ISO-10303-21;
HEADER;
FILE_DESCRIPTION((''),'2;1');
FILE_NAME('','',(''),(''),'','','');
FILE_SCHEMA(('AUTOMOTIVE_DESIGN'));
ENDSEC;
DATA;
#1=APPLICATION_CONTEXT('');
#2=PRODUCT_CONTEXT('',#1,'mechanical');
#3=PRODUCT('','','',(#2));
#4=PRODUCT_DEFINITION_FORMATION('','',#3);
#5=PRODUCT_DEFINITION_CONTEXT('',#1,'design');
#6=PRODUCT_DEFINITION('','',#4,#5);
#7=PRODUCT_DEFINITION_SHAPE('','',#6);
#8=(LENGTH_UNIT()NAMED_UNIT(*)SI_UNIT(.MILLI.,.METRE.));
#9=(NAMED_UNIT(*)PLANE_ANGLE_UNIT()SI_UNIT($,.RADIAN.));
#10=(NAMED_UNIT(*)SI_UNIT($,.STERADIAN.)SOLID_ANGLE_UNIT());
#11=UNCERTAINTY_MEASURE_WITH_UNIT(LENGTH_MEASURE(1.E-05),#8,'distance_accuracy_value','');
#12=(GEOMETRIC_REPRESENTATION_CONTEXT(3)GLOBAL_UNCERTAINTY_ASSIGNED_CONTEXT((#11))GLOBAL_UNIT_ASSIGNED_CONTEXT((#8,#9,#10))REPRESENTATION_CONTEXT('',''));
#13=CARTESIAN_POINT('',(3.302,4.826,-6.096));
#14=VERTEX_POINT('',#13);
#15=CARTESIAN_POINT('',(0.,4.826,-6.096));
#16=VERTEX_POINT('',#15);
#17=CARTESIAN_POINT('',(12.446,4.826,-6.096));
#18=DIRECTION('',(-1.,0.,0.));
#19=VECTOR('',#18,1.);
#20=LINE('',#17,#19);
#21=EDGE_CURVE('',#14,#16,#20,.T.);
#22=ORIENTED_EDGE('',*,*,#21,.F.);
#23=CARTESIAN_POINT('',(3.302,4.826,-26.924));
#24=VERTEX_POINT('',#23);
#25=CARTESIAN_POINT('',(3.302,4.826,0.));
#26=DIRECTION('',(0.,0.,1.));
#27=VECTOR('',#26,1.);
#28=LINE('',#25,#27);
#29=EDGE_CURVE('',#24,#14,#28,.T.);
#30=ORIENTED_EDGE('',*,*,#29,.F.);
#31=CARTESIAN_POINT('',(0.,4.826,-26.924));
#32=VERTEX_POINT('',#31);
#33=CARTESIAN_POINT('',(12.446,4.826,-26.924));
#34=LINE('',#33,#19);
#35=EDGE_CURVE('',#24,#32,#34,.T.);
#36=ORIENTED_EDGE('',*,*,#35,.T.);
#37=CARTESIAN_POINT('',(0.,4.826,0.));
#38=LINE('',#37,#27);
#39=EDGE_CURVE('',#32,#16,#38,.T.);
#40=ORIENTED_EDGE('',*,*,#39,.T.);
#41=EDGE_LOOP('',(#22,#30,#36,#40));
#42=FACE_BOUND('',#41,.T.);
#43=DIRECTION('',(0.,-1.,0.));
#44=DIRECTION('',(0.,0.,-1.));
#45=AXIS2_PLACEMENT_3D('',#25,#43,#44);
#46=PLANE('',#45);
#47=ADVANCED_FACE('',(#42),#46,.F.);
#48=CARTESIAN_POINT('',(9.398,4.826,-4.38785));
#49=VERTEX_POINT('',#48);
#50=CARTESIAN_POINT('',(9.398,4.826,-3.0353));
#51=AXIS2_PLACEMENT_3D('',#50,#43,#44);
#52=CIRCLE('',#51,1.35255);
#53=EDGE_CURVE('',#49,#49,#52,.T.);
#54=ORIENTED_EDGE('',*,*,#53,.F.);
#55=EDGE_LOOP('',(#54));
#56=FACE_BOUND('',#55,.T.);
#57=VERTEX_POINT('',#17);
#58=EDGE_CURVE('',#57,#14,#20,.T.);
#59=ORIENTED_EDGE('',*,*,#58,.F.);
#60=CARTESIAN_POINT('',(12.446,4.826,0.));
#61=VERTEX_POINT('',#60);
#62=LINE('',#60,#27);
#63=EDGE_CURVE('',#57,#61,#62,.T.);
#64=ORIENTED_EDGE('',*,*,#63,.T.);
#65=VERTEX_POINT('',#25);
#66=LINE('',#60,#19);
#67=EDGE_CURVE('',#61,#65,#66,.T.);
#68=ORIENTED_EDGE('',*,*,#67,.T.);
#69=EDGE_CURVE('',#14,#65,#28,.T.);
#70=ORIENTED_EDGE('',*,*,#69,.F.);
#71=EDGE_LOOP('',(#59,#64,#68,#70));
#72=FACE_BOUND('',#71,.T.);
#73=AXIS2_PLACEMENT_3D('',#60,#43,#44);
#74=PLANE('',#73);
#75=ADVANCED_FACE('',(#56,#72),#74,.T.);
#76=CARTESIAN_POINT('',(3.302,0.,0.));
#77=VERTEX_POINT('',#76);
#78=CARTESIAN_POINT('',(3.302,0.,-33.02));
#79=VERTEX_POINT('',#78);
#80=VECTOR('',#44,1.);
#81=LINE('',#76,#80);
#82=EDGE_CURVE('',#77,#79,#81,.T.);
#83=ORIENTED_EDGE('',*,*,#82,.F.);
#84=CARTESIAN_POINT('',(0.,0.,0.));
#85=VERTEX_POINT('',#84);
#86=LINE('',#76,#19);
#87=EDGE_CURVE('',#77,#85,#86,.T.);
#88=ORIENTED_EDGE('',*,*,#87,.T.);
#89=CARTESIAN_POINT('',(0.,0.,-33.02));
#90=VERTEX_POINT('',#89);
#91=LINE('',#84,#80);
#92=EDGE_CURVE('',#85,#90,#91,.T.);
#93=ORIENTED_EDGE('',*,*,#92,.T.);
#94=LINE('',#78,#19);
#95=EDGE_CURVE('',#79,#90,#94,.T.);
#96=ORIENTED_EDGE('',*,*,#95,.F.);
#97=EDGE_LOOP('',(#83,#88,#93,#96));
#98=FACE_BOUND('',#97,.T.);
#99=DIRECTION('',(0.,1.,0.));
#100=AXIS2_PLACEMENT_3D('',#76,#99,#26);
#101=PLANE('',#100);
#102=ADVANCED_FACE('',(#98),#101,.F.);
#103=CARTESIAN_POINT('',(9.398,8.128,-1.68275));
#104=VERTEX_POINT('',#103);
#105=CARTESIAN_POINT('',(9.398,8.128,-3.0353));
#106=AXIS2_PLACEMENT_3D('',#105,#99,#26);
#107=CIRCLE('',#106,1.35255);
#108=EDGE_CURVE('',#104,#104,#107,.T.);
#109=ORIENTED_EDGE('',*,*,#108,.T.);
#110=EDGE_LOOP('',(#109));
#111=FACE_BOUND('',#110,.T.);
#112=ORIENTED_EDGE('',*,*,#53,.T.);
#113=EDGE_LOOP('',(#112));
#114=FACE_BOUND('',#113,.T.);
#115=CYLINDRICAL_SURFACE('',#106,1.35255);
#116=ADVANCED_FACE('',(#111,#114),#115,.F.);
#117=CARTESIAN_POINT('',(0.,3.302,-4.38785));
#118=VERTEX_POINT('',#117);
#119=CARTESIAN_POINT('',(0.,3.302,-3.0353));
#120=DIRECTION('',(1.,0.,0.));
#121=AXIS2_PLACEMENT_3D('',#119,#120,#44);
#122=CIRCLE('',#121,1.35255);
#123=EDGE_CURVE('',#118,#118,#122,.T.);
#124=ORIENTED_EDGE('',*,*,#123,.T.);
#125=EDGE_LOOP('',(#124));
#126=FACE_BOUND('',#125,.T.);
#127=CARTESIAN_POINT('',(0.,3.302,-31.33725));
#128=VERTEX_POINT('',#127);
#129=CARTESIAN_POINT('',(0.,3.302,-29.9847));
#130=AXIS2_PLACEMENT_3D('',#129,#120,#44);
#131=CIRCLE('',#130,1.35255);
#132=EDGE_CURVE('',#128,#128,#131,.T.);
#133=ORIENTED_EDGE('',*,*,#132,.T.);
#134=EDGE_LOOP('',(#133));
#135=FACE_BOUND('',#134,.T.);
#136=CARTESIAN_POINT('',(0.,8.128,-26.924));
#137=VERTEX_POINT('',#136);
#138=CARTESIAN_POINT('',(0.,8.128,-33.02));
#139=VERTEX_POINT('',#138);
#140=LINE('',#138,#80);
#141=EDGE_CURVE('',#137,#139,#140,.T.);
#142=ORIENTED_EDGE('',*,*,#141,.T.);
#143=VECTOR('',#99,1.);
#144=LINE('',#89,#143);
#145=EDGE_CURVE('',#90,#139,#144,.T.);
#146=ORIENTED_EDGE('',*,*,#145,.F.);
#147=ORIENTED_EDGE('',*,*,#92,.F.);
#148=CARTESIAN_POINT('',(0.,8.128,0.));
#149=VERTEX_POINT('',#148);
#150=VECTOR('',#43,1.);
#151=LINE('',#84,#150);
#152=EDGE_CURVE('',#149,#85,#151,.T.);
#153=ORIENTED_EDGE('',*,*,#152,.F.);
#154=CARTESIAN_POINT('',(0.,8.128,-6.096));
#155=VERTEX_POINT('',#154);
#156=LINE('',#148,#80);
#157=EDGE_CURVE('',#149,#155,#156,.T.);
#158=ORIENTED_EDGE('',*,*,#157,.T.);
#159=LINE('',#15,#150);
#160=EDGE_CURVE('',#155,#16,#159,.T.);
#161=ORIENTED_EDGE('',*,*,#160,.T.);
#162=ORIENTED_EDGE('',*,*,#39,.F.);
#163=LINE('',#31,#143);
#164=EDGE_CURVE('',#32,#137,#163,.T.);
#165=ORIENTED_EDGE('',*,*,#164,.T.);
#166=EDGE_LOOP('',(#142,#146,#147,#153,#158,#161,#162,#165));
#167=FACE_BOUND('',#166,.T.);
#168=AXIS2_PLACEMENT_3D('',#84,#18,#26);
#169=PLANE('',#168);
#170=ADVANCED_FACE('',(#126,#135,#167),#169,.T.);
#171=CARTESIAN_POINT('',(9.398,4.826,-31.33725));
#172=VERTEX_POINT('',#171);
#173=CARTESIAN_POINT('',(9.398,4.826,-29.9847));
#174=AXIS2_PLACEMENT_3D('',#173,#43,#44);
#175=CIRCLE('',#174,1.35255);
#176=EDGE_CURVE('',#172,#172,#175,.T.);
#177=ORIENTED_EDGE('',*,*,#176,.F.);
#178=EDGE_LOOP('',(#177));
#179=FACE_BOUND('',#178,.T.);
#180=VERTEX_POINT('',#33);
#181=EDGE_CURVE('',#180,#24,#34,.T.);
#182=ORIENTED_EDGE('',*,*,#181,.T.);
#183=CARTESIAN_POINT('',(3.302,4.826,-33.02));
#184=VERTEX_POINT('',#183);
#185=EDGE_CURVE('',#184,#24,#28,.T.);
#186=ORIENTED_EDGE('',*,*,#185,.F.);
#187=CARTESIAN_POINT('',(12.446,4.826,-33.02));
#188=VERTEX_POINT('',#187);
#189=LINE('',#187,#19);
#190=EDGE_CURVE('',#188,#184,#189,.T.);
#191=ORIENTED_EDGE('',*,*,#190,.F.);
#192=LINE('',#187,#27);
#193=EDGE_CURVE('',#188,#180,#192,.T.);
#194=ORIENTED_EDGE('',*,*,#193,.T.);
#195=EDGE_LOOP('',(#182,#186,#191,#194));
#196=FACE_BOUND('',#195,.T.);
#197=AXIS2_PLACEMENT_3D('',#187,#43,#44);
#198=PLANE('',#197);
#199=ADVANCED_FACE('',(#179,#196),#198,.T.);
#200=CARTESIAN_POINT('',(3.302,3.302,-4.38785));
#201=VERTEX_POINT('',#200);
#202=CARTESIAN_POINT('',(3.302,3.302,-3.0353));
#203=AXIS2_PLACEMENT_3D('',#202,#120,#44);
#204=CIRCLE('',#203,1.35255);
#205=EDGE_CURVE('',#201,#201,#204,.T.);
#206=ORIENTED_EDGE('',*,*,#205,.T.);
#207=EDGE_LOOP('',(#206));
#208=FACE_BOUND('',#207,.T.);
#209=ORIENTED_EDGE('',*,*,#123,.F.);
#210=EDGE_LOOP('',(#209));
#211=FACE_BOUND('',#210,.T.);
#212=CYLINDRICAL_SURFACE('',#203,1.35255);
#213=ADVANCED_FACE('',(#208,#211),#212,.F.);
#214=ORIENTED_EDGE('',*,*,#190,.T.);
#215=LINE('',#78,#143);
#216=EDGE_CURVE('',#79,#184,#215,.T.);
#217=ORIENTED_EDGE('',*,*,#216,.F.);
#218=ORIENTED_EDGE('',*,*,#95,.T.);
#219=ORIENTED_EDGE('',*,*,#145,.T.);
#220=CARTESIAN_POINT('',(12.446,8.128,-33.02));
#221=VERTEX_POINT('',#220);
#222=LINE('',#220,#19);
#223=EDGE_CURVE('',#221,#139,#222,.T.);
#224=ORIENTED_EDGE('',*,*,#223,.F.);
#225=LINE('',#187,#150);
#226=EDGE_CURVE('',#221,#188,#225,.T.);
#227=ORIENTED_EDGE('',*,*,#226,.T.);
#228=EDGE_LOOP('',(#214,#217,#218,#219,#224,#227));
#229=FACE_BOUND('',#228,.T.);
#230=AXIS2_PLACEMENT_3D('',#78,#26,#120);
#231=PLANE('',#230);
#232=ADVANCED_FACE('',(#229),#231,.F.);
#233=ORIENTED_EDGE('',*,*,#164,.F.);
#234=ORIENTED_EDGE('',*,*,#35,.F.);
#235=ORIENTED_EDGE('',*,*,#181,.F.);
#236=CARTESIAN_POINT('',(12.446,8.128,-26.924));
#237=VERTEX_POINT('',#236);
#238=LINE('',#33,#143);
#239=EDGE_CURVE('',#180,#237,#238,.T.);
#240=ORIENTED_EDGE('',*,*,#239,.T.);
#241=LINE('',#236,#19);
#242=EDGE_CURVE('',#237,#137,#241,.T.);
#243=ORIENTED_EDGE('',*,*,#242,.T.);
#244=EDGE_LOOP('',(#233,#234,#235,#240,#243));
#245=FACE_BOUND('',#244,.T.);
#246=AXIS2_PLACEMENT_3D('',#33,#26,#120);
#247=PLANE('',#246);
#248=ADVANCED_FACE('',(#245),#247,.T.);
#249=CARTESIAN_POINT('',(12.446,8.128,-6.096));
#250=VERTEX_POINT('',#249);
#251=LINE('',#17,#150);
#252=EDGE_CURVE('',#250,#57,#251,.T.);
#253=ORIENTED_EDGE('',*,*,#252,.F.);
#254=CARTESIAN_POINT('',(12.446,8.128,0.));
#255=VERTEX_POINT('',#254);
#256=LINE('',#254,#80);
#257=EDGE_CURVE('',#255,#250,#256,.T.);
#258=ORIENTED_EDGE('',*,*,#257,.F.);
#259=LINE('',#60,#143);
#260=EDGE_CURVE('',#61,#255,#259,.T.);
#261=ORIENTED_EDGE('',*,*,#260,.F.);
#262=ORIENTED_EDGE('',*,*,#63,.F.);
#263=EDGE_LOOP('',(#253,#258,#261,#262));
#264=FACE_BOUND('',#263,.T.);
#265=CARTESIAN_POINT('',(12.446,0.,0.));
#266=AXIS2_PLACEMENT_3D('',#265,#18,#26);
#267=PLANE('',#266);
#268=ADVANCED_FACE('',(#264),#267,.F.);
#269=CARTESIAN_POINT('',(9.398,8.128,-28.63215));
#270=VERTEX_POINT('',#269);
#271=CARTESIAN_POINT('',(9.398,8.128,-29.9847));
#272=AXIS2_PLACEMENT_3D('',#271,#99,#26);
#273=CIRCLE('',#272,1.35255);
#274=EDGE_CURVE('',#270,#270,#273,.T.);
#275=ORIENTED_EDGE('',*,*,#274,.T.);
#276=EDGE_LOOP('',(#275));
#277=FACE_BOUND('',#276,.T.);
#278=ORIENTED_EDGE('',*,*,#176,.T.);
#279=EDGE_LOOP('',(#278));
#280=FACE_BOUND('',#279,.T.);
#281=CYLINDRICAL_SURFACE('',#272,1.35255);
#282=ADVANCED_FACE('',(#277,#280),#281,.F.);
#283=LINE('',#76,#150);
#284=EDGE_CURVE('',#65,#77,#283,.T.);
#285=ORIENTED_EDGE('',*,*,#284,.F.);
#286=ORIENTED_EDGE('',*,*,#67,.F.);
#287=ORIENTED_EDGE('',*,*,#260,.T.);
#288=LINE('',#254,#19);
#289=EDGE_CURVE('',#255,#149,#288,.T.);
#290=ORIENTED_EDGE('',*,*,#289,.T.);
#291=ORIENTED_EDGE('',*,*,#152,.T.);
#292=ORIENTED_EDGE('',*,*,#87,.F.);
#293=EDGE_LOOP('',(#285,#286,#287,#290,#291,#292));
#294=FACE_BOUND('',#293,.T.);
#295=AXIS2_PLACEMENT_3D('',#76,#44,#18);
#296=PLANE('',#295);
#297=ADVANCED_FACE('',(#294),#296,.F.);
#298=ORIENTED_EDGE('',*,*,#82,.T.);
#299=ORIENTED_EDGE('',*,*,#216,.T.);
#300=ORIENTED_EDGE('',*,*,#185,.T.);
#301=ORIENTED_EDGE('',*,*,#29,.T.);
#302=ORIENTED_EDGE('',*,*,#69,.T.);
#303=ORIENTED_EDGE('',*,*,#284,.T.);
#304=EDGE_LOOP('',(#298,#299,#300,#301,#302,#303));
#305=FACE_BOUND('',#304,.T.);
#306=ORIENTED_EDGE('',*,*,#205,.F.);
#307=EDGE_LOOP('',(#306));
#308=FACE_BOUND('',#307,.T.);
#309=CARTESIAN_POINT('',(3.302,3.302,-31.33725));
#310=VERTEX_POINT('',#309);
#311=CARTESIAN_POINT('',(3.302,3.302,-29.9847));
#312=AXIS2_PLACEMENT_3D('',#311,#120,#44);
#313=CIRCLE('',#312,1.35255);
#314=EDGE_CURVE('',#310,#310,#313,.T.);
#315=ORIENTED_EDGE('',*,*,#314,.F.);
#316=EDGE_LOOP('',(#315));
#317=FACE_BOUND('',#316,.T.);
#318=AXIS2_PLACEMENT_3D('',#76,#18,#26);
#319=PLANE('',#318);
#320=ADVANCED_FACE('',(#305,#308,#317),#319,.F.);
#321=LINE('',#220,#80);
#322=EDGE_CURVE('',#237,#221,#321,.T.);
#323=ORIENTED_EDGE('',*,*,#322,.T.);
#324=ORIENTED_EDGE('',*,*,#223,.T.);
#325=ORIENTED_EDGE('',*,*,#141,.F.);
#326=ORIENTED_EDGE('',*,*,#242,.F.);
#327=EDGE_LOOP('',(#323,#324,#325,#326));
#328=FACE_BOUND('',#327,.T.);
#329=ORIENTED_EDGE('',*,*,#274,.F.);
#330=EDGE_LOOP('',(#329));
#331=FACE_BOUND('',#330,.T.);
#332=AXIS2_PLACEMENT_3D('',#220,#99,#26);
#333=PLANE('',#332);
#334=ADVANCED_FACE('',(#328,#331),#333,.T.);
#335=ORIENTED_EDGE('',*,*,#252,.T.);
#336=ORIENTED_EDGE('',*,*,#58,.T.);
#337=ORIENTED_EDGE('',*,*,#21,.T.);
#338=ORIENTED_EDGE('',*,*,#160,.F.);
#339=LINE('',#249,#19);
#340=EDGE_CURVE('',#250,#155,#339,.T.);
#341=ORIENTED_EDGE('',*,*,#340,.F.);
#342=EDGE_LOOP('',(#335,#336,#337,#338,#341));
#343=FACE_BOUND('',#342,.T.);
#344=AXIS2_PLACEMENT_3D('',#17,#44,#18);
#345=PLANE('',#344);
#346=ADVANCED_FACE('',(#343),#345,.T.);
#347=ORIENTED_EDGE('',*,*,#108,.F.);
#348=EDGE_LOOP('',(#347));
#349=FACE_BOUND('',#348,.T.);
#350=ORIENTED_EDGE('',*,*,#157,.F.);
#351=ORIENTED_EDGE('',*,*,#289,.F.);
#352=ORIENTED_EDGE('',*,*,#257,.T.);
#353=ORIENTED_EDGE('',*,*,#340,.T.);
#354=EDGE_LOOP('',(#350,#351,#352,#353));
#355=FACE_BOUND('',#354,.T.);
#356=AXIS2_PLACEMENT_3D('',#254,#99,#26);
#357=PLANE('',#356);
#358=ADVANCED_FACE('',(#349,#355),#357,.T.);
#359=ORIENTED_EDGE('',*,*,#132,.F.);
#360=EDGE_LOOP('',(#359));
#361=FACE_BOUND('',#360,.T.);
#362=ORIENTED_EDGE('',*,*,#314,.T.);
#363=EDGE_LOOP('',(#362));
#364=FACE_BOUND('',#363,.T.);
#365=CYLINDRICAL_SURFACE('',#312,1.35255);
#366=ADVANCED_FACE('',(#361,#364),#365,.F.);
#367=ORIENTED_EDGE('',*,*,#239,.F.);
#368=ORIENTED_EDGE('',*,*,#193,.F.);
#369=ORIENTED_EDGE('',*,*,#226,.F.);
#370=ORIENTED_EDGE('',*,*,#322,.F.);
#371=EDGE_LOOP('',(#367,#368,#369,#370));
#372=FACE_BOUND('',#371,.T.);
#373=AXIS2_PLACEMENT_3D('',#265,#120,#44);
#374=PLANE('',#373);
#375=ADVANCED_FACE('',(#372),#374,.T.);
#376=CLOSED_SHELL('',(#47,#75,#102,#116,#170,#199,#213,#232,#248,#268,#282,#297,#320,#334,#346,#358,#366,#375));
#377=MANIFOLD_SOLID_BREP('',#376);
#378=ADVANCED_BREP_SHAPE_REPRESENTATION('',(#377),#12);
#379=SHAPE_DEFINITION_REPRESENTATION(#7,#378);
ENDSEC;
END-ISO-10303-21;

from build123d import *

# Parameters (mm, degrees)
SKETCH1_W             = 33.02
SKETCH1_H             = 4.826
BOSS_EXTRUDE1_DEPTH   = 3.302
SKETCH2_W             = 6.096
SKETCH2_H             = 3.302
BOSS_EXTRUDE2_DEPTH   = 12.446
F_6_32_TAPPED_HOLE1_D = 2.7051
F_6_32_TAPPED_HOLE2_D = 2.7051


with BuildPart() as part:
    # Sketch1 → Boss-Extrude1 (new body)
    with BuildSketch(Plane(origin=(0, 0, 0), x_dir=(0, 0, -1), z_dir=(1, 0, 0))):
        with Locations((16.51, 2.413)):
            Rectangle(SKETCH1_W, SKETCH1_H)
    extrude(amount=BOSS_EXTRUDE1_DEPTH)

    # Sketch2 → Boss-Extrude2 (add)
    with BuildSketch(Plane.ZY):
        with Locations((-29.972, 6.477)):
            Rectangle(SKETCH2_W, SKETCH2_H)
        with Locations((-3.048, 6.477)):
            Rectangle(SKETCH2_W, SKETCH2_H)
    extrude(amount=-BOSS_EXTRUDE2_DEPTH)

    # #6-32 Tapped Hole1 (through all)
    with Locations(Plane(origin=(3.302, 0, 0), x_dir=(0, 0, -1), z_dir=(1, 0, 0))):
        with Locations((3.0353, 3.302), (29.9847, 3.302)):
            Hole(F_6_32_TAPPED_HOLE1_D / 2)

    # #6-32 Tapped Hole2 (through all)
    with Locations(Plane(origin=(0, 8.128, 0), x_dir=(1, 0, 0), z_dir=(0, 1, 0))):
        with Locations((9.398, 3.0353), (9.398, 29.9847)):
            Hole(F_6_32_TAPPED_HOLE2_D / 2)


solid = part.part
